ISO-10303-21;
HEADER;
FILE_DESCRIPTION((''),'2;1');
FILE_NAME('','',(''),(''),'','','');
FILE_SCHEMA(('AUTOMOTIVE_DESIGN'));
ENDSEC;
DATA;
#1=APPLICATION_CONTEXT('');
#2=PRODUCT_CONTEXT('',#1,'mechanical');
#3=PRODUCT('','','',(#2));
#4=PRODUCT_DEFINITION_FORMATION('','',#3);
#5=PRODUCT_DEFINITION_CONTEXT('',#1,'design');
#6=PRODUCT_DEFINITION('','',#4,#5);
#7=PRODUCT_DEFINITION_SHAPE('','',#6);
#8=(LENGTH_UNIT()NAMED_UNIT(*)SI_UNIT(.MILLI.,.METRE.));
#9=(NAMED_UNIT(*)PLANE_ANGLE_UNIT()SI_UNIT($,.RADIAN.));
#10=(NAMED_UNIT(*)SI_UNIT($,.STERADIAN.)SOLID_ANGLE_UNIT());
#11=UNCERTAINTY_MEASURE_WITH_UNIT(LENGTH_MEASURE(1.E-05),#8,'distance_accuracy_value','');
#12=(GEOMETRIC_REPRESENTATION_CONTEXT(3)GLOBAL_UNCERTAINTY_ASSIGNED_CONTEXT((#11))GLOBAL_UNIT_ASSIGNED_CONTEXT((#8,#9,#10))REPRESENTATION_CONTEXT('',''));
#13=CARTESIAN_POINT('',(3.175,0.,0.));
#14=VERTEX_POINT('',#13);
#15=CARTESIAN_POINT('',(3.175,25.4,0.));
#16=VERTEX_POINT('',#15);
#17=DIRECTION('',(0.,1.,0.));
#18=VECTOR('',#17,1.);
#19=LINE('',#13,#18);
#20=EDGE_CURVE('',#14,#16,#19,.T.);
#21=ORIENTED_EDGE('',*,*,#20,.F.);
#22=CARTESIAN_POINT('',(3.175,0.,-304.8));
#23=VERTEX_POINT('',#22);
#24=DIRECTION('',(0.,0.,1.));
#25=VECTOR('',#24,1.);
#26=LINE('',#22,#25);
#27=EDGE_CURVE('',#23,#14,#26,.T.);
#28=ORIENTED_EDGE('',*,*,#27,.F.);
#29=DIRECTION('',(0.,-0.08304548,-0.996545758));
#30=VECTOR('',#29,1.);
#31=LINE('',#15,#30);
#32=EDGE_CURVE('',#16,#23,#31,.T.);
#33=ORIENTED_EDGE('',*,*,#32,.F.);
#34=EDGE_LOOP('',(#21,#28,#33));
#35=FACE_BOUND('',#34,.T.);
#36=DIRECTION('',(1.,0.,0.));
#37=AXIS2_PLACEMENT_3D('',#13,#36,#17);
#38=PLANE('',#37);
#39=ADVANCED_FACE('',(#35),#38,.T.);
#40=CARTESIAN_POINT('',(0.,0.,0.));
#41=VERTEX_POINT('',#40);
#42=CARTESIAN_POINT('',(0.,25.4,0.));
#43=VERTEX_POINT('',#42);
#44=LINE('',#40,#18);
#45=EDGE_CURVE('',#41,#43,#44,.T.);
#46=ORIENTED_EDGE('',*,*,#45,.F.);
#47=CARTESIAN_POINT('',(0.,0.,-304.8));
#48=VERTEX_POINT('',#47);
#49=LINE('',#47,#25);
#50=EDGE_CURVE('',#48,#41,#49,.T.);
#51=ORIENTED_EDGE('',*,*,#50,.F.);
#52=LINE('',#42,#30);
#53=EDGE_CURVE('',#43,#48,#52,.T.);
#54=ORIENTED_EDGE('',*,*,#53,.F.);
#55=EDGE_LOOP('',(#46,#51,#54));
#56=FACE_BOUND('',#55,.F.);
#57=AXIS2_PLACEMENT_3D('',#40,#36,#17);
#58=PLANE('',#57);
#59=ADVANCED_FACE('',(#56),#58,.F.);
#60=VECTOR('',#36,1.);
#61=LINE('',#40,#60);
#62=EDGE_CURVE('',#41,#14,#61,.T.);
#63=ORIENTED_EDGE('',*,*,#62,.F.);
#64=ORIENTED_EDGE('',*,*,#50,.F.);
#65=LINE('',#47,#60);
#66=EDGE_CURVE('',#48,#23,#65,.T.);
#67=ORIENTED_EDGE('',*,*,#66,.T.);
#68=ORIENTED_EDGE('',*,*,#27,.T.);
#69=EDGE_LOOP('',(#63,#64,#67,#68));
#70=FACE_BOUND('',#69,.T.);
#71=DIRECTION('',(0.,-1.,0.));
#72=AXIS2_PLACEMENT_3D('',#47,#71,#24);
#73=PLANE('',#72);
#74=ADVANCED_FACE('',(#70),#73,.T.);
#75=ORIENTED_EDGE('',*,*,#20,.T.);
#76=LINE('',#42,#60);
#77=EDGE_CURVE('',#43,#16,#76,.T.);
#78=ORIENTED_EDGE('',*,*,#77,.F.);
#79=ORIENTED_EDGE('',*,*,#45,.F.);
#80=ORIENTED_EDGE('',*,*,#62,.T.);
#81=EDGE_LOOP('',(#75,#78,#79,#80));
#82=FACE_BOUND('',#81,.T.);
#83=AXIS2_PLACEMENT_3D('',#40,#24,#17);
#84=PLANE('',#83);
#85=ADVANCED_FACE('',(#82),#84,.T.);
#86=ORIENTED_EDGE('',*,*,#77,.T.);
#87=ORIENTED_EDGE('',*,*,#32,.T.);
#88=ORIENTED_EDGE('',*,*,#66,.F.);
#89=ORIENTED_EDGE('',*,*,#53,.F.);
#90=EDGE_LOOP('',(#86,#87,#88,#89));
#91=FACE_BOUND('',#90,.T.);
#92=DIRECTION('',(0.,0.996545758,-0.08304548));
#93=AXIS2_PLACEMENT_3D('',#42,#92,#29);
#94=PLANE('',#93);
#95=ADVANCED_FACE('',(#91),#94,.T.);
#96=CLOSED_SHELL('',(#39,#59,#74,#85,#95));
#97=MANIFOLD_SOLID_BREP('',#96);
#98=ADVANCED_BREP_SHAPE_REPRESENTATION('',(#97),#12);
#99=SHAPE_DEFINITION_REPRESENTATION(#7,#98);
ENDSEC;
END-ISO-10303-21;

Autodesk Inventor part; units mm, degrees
ref_plane "YZ Plane" through (0, 0, 0) normal (1, 0, 0) x (0, 1, 0)
ref_plane "XZ Plane" through (0, 0, 0) normal (0, 1, 0) x (-1, 0, 0)
ref_plane "XY Plane" through (0, 0, 0) normal (0, 0, 1) x (1, 0, 0)
sketch "Sketch1" plane through (0, 0, 0) normal (1, 0, 0) x (0, 1, 0)
  line L0 (0, 0) -> (25.4, 0)
  line L1 (25.4, 0) -> (0, -304.8)
  line L2 (0, -304.8) -> (0, 0)
  dimension "d0" = 25.4
  dimension "d1" = 304.8
extrude "Extrusion1" add sketch "Sketch1" along normal blind 3.175
properties part number "Side_Of_End_Cap_For_Intake_Vent"
